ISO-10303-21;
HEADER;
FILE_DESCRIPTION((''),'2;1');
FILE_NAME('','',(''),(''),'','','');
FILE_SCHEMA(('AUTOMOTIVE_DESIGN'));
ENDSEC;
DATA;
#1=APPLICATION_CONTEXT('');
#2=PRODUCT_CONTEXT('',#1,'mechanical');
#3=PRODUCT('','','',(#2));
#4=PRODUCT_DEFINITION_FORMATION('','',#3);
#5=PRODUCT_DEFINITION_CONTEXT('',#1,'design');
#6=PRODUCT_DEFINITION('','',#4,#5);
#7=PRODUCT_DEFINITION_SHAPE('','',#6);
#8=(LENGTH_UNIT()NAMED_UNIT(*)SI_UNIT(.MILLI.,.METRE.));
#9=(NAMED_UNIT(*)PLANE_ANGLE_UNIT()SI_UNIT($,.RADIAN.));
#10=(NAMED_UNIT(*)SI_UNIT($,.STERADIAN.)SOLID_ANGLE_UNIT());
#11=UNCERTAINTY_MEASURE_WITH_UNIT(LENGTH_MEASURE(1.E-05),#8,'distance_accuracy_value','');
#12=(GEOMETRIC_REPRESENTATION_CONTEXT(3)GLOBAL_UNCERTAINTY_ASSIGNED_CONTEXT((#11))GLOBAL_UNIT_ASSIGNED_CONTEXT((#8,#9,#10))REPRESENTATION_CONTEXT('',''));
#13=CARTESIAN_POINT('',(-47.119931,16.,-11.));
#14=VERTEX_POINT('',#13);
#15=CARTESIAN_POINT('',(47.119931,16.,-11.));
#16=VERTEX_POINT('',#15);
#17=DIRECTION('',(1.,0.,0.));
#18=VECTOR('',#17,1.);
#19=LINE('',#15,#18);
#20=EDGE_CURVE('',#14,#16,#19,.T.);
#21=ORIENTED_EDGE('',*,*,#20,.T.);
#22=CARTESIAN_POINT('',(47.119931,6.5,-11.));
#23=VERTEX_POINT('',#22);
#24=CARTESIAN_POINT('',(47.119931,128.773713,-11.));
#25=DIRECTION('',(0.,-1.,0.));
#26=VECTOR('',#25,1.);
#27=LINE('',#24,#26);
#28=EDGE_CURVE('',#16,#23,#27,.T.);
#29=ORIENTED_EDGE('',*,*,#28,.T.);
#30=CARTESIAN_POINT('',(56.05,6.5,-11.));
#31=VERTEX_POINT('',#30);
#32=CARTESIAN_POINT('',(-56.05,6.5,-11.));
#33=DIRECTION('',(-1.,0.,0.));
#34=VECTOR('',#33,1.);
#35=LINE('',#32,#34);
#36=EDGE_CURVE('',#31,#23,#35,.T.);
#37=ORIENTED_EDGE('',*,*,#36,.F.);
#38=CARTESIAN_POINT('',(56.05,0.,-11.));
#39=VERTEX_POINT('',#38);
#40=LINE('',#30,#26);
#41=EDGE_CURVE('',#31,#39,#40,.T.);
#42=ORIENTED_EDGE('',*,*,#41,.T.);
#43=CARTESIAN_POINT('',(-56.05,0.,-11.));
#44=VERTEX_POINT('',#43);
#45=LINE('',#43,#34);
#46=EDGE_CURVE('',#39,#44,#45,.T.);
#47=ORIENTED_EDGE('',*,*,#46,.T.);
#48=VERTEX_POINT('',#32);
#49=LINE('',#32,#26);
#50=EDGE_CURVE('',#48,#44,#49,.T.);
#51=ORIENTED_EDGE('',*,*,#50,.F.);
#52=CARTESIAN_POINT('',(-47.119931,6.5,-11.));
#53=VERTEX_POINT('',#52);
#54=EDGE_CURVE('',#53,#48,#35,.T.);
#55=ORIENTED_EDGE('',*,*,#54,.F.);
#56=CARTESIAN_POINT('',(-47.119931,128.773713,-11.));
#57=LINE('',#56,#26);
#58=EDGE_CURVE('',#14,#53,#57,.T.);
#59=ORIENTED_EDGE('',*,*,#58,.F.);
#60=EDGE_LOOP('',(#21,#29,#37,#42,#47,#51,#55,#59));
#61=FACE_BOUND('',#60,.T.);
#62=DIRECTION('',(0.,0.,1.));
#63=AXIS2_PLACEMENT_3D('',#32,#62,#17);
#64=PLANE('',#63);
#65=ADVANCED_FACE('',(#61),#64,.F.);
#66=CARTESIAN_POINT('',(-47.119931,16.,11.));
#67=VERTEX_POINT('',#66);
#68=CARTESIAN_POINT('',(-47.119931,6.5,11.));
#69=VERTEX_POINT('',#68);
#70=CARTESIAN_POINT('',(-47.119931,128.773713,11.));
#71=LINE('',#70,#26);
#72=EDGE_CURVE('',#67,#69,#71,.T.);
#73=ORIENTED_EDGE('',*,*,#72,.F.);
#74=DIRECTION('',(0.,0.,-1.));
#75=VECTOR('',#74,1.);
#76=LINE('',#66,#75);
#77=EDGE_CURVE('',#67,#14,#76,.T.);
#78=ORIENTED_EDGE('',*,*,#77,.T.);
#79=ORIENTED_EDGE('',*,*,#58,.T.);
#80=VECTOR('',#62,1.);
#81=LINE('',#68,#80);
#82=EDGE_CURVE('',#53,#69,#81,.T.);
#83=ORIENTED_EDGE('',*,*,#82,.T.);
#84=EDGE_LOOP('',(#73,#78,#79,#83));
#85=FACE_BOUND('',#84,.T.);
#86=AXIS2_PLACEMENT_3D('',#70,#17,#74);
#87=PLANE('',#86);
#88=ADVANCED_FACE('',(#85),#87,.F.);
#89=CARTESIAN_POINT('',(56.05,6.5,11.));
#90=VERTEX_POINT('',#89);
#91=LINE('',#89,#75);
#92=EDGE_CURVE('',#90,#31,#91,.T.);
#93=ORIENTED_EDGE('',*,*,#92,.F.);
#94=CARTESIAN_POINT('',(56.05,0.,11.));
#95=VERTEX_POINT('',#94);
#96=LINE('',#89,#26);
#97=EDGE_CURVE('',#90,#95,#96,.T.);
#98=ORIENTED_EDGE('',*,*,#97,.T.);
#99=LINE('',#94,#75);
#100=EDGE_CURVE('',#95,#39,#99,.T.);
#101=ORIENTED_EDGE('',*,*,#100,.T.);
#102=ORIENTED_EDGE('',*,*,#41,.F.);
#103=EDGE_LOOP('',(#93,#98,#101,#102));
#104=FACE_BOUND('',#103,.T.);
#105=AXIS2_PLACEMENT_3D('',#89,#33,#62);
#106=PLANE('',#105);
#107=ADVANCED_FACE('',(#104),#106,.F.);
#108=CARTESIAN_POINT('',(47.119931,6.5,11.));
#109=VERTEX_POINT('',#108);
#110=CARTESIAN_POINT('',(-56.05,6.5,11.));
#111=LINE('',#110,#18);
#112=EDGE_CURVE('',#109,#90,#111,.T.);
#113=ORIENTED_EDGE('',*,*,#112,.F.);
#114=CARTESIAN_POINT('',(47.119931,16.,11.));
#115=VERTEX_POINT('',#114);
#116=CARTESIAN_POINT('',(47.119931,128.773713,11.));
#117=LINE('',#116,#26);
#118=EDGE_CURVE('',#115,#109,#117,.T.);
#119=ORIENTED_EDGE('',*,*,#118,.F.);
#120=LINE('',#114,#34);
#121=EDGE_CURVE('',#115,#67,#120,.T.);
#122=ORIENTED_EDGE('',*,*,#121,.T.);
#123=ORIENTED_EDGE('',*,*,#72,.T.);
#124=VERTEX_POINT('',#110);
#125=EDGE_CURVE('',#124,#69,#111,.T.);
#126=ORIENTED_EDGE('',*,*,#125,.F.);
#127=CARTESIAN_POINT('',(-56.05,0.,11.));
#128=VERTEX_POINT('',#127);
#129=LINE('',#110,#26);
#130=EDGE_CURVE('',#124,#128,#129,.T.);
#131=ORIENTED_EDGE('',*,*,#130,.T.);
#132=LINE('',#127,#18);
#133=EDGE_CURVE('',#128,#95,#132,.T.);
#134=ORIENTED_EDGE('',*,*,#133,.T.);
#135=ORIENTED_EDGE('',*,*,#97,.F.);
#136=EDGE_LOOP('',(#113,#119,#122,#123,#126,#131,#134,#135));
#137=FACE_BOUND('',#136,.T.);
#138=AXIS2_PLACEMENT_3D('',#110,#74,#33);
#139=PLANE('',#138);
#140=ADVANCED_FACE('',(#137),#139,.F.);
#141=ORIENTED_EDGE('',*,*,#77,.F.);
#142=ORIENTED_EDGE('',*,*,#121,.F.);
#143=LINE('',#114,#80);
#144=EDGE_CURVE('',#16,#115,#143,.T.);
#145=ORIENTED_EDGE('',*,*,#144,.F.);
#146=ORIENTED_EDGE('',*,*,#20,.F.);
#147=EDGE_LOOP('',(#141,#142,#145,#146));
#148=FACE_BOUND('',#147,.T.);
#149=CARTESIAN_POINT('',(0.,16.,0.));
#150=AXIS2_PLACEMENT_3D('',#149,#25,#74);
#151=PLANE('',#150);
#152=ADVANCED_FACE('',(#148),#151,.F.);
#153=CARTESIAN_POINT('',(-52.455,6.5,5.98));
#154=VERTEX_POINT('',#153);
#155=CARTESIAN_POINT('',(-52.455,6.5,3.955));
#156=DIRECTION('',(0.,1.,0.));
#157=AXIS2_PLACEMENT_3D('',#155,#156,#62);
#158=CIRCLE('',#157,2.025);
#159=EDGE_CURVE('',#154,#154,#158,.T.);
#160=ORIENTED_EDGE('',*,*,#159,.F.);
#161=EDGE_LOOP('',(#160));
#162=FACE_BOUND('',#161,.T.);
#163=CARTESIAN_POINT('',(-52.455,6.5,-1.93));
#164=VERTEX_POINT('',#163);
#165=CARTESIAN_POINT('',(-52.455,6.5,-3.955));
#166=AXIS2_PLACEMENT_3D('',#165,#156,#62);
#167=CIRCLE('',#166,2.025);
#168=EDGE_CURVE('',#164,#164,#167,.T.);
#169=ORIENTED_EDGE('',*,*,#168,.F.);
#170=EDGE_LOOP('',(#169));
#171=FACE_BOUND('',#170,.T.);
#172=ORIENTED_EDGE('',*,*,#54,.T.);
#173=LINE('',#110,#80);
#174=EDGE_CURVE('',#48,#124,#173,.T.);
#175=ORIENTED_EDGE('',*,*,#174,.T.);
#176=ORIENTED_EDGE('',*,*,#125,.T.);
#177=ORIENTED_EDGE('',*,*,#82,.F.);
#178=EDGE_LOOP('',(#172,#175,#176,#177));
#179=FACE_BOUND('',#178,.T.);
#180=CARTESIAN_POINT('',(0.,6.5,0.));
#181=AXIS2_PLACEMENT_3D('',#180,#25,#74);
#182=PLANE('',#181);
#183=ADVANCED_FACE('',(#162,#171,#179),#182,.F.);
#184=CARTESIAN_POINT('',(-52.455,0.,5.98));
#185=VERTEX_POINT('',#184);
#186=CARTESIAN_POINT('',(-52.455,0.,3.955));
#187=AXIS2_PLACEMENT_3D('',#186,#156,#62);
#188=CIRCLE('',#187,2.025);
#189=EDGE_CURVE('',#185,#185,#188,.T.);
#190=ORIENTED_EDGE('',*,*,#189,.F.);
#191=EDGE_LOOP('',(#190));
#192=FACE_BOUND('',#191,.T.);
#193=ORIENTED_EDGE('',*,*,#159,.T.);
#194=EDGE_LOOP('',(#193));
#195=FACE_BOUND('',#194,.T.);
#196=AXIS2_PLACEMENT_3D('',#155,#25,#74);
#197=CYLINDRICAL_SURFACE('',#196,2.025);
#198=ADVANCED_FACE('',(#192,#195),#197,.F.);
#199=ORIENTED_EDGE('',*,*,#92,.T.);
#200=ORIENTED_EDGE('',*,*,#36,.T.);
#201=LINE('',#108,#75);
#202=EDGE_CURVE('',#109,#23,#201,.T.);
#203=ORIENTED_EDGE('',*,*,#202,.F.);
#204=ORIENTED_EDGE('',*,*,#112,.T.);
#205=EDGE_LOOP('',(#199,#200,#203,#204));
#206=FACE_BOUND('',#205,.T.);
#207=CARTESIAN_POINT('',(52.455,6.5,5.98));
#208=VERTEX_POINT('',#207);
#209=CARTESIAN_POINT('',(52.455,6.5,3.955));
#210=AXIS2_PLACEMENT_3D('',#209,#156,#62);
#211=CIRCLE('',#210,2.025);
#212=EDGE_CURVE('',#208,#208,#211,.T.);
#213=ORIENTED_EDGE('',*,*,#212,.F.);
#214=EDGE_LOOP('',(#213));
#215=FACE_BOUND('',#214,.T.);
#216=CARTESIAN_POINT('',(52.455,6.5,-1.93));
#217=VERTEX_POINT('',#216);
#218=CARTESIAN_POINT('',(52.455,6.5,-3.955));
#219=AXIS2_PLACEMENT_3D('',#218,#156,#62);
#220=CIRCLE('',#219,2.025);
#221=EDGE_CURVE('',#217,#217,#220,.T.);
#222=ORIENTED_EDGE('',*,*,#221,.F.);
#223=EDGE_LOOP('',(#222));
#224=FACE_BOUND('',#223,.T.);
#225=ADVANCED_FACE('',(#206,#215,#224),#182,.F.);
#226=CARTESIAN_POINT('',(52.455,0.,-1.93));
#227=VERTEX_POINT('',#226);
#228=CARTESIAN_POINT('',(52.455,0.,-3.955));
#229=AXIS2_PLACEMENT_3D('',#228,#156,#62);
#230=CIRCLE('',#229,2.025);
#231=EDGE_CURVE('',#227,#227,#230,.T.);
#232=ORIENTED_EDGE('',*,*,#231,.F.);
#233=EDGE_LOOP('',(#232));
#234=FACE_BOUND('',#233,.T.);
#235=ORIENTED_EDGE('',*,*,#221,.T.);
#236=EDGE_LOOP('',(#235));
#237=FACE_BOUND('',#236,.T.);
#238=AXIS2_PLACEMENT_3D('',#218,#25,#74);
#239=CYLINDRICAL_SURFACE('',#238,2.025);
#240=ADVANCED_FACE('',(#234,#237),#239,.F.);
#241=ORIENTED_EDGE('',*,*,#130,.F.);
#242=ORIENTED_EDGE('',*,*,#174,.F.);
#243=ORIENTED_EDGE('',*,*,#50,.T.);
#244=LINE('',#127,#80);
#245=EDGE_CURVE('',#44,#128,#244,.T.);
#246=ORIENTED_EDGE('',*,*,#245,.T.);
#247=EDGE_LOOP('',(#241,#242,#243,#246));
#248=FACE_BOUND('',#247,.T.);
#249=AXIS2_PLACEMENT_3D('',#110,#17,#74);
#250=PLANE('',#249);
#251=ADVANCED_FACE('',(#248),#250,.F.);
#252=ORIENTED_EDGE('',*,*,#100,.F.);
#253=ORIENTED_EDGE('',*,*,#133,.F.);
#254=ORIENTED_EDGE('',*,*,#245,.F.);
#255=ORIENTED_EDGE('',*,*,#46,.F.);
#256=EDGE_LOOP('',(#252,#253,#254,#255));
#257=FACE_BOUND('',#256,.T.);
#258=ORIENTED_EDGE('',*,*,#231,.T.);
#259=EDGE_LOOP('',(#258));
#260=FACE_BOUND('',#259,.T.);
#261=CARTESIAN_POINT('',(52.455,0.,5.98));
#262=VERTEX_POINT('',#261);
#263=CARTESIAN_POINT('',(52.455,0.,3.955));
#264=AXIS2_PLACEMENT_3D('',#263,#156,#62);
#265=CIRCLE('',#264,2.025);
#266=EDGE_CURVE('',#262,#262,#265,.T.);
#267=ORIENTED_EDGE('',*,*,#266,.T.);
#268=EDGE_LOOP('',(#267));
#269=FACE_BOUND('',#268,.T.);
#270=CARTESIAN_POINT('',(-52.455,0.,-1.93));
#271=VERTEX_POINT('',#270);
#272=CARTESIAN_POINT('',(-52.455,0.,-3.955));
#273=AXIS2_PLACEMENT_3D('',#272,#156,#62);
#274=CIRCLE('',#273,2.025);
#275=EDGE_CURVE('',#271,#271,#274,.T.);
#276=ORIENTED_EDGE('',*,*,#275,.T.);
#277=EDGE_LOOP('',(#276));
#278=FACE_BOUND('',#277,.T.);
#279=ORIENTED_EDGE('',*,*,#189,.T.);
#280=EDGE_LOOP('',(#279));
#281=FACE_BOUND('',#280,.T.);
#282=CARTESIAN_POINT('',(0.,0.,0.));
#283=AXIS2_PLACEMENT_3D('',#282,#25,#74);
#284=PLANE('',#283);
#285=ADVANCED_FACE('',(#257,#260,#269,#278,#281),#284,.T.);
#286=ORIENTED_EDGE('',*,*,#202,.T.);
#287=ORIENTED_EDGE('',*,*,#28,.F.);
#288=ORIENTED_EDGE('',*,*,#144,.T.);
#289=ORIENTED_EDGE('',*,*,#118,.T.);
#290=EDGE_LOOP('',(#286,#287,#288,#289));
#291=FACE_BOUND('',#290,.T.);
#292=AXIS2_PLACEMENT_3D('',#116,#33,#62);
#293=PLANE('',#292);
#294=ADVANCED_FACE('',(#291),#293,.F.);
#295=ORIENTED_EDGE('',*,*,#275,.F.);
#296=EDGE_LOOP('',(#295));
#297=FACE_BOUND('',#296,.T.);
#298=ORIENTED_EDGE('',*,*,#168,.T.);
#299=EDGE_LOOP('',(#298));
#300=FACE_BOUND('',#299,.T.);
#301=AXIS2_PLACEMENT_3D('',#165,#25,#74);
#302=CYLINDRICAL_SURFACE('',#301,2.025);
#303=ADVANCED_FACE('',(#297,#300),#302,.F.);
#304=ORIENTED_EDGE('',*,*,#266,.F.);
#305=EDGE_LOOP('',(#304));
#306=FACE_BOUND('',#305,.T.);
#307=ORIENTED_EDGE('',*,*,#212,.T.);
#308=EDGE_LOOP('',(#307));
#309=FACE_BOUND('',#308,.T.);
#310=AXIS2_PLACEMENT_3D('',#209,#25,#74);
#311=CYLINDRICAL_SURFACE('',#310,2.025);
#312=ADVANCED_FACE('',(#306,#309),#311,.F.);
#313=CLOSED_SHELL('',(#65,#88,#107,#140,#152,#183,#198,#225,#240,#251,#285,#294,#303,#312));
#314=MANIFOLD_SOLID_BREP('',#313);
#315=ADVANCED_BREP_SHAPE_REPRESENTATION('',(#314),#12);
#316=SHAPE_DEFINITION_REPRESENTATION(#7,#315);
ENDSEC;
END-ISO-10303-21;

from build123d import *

# Parameters (mm, degrees)
SKETCH1_W           = 112.1
SKETCH1_H           = 22
SKETCH1_R           = 2.025
BOSS_EXTRUDE1_DEPTH = 6.5
SKETCH2_W           = 94.239862036
SKETCH2_H           = 22
BOSS_EXTRUDE3_DEPTH = 9.5


with BuildPart() as part:
    # Sketch1 → Boss-Extrude1 (new body)
    with BuildSketch(Plane(origin=(0, 0, 0), x_dir=(1, 0, 0), z_dir=(0, 1, 0))):
        Rectangle(SKETCH1_W, SKETCH1_H)
        with Locations((-52.455, 3.955)):
            Circle(SKETCH1_R, mode=Mode.SUBTRACT)
        with Locations((-52.455, -3.955)):
            Circle(SKETCH1_R, mode=Mode.SUBTRACT)
        with Locations((52.455, -3.955)):
            Circle(SKETCH1_R, mode=Mode.SUBTRACT)
        with Locations((52.455, 3.955)):
            Circle(SKETCH1_R, mode=Mode.SUBTRACT)
    extrude(amount=BOSS_EXTRUDE1_DEPTH)

    # Sketch2 → Boss-Extrude3 (add)
    with BuildSketch(Plane(origin=(0, 6.5, 0), x_dir=(1, 0, 0), z_dir=(0, 1, 0))):
        Rectangle(SKETCH2_W, SKETCH2_H)
    extrude(amount=BOSS_EXTRUDE3_DEPTH)


solid = part.part
